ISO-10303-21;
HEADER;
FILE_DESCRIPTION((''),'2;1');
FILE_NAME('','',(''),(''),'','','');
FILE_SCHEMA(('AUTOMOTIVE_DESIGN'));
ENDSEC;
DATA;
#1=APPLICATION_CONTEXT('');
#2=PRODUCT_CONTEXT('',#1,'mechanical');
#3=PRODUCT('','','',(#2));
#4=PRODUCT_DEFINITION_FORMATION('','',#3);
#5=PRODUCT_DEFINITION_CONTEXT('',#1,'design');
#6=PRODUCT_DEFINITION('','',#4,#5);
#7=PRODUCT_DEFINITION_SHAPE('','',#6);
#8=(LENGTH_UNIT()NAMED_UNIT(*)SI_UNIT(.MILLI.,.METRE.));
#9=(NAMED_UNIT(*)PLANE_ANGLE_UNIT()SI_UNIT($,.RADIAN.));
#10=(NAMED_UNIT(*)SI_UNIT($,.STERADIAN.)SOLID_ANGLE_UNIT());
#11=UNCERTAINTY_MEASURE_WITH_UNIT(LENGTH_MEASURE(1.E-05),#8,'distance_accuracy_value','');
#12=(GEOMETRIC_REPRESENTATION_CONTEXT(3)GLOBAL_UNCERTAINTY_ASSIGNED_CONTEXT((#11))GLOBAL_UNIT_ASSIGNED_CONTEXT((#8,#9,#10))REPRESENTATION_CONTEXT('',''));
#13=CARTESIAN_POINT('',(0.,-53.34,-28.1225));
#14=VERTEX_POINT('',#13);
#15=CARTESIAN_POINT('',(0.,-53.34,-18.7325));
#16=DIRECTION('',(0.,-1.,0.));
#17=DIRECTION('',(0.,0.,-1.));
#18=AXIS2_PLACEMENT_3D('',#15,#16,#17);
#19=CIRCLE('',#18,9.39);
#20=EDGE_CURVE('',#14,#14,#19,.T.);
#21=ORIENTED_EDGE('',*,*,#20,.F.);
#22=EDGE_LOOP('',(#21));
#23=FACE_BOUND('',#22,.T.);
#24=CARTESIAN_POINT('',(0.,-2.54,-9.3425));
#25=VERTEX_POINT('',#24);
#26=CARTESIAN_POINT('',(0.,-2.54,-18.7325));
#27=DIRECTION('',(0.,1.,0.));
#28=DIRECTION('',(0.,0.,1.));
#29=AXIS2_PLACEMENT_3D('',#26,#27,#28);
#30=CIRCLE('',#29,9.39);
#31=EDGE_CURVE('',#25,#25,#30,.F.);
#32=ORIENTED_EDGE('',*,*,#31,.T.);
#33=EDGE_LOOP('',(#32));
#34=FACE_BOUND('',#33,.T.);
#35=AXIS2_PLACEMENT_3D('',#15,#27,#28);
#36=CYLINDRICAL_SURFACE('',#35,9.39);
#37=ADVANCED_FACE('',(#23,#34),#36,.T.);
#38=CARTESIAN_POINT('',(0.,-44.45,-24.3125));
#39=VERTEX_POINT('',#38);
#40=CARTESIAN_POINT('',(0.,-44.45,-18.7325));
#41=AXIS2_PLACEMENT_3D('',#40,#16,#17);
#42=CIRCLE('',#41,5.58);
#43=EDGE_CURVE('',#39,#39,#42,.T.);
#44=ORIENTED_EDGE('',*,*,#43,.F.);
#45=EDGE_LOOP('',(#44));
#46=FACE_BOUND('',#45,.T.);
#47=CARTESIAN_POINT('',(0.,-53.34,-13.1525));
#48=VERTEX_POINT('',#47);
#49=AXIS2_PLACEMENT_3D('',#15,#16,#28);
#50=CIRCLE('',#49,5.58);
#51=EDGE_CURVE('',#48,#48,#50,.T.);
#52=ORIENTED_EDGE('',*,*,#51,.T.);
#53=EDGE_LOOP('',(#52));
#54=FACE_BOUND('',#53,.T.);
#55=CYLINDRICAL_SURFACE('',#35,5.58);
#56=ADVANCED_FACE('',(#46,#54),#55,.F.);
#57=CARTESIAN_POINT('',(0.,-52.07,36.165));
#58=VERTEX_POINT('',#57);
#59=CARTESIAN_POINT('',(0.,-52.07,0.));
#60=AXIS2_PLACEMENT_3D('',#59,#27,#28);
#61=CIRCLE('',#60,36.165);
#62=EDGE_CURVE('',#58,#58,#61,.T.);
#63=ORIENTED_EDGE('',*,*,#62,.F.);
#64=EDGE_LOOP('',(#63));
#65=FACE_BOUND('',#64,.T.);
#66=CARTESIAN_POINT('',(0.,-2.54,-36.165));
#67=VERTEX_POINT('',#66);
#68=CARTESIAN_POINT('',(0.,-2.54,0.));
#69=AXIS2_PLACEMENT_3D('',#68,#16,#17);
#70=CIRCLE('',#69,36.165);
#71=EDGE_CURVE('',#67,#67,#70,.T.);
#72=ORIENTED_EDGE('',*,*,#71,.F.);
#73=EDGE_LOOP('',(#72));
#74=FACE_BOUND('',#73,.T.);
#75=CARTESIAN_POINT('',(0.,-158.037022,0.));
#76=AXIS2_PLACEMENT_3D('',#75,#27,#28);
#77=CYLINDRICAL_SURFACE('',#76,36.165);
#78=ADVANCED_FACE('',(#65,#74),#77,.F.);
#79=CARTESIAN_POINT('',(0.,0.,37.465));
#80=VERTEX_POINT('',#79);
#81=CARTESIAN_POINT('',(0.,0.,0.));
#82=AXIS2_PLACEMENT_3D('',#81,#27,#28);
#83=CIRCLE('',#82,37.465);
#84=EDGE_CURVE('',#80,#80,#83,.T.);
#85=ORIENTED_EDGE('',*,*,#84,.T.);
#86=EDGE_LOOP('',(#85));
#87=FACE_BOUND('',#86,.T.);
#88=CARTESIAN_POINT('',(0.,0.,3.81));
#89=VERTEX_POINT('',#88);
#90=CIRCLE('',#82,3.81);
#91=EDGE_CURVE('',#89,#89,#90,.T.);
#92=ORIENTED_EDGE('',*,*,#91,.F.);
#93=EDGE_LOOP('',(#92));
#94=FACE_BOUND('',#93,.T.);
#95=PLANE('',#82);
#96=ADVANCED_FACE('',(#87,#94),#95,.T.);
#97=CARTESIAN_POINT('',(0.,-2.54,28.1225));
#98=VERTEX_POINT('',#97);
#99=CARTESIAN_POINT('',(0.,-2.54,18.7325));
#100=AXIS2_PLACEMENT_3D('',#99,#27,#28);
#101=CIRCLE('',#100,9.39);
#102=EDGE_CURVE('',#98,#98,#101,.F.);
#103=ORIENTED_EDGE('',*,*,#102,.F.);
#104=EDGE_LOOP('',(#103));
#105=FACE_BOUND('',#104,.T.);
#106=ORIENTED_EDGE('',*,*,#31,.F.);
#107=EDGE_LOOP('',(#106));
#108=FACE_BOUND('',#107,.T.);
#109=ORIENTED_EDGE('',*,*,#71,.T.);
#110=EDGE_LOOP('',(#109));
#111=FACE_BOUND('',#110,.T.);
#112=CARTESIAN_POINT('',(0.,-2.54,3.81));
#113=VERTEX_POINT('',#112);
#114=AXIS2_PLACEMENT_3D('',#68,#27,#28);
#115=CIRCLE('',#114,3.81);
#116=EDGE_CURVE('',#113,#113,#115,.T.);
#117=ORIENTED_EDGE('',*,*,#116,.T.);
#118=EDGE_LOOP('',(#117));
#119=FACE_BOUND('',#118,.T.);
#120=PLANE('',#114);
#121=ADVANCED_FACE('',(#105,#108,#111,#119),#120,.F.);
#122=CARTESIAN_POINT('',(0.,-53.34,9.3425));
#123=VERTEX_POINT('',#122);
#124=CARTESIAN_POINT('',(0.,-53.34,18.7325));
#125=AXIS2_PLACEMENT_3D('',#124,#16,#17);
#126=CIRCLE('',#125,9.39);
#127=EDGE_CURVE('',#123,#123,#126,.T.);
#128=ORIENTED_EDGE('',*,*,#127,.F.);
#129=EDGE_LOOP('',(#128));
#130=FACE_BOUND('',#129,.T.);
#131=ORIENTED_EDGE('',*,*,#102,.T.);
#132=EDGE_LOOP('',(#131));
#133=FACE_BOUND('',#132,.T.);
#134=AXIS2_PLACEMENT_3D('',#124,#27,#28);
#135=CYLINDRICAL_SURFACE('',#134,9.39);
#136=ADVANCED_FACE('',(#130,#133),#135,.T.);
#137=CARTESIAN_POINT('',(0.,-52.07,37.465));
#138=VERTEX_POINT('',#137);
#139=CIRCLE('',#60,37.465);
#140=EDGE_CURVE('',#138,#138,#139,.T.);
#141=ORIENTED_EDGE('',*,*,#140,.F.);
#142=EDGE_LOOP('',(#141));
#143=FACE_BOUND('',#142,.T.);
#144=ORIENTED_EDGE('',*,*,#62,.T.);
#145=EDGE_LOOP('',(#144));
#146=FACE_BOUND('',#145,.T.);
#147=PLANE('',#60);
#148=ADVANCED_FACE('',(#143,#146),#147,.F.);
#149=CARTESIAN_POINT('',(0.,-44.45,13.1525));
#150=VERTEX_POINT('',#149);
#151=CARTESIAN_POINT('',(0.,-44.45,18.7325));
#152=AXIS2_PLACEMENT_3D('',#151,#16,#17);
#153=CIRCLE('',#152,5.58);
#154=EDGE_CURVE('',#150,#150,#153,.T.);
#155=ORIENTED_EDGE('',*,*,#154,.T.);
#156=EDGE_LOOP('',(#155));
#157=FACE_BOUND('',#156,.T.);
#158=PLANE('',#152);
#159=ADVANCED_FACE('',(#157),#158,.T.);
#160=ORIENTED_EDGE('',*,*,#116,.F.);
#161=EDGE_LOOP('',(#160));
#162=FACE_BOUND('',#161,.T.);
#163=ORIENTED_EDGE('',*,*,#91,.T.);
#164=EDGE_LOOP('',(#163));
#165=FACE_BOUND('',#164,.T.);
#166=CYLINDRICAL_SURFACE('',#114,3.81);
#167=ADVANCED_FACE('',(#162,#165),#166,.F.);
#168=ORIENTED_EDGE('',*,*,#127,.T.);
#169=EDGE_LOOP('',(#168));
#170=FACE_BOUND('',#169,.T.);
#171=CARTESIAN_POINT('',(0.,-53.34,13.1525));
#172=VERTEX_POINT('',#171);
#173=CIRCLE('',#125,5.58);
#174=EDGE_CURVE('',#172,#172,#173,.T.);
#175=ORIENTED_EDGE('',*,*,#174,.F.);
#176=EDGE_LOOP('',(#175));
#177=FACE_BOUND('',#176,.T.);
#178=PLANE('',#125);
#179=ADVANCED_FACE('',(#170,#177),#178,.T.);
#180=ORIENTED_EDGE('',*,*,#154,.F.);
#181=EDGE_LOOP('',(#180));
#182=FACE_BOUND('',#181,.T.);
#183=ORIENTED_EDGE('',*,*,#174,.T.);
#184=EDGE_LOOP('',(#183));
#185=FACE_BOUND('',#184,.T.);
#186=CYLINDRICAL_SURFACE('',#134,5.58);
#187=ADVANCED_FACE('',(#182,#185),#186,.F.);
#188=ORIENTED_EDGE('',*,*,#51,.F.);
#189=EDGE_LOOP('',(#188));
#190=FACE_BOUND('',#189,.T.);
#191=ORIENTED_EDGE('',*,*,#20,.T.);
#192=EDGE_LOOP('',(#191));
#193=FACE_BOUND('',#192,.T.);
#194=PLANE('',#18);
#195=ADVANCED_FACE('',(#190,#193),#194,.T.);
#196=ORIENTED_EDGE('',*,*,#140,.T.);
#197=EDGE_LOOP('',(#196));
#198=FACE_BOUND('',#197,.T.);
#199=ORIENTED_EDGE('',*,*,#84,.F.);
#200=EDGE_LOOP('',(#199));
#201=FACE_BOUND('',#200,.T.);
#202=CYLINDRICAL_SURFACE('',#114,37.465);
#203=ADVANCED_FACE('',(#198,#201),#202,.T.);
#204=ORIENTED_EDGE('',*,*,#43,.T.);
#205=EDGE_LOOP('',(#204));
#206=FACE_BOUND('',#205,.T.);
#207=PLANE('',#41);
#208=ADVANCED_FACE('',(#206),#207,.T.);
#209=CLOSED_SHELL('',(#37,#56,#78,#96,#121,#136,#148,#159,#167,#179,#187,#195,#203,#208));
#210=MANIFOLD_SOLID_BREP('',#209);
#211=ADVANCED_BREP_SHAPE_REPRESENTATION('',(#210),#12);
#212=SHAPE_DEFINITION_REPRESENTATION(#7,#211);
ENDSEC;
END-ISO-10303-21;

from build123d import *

# Parameters (mm, degrees)
SKETCH1_R           = 37.465
SKETCH1_R_2         = 3.81
BOSS_EXTRUDE1_DEPTH = 2.54
SKETCH2_R           = 9.39
SKETCH2_R_2         = 5.58
BOSS_EXTRUDE2_DEPTH = 50.8
SKETCH3_R           = 37.465
SKETCH3_R_2         = 36.165
BOSS_EXTRUDE3_DEPTH = 49.53
SKETCH5_R           = 5.58
BOSS_EXTRUDE4_DEPTH = 41.91


with BuildPart() as part:
    # Sketch1 → Boss-Extrude1 (new body)
    with BuildSketch(Plane(origin=(0, 0, 0), x_dir=(1, 0, 0), z_dir=(0, 1, 0))):
        with Locations(Location((0, 0, 0), (0, 0, 270))):
            Circle(SKETCH1_R)
        with Locations(Location((0, 0, 0), (0, 0, 270))):
            Circle(SKETCH1_R_2, mode=Mode.SUBTRACT)
    extrude(amount=-BOSS_EXTRUDE1_DEPTH)

    # Sketch2 → Boss-Extrude2 (add)
    # profile 1 of 2: a face of its own
    with BuildSketch(Plane.XZ.offset(2.54)):
        with Locations(Location((0, 18.7325, 0), (0, 0, 90))):
            Circle(SKETCH2_R)
        with Locations(Location((0, 18.7325, 0), (0, 0, 270))):
            Circle(SKETCH2_R_2, mode=Mode.SUBTRACT)
    # profile 2 of 2: a face of its own
    with BuildSketch(Plane.XZ.offset(2.54)):
        with Locations(Location((0, -18.7325, 0), (0, 0, 90))):
            Circle(SKETCH2_R)
        with Locations(Location((0, -18.7325, 0), (0, 0, 90))):
            Circle(SKETCH2_R_2, mode=Mode.SUBTRACT)
    extrude(amount=BOSS_EXTRUDE2_DEPTH)

    # Sketch3 → Boss-Extrude3 (add)
    with BuildSketch(Plane.XZ.offset(2.54)):
        with Locations(Location((0, 0, 0), (0, 0, 90))):
            Circle(SKETCH3_R)
        with Locations(Location((0, 0, 0), (0, 0, 90))):
            Circle(SKETCH3_R_2, mode=Mode.SUBTRACT)
    extrude(amount=BOSS_EXTRUDE3_DEPTH)

    # Sketch5 → Boss-Extrude4 (add)
    with BuildSketch(Plane.XZ.offset(2.54)):
        with Locations(Location((0, 18.7325, 0), (0, 0, 270))):
            Circle(SKETCH5_R)
        with Locations(Location((0, -18.7325, 0), (0, 0, 90))):
            Circle(SKETCH5_R)
    extrude(amount=BOSS_EXTRUDE4_DEPTH)


solid = part.part
